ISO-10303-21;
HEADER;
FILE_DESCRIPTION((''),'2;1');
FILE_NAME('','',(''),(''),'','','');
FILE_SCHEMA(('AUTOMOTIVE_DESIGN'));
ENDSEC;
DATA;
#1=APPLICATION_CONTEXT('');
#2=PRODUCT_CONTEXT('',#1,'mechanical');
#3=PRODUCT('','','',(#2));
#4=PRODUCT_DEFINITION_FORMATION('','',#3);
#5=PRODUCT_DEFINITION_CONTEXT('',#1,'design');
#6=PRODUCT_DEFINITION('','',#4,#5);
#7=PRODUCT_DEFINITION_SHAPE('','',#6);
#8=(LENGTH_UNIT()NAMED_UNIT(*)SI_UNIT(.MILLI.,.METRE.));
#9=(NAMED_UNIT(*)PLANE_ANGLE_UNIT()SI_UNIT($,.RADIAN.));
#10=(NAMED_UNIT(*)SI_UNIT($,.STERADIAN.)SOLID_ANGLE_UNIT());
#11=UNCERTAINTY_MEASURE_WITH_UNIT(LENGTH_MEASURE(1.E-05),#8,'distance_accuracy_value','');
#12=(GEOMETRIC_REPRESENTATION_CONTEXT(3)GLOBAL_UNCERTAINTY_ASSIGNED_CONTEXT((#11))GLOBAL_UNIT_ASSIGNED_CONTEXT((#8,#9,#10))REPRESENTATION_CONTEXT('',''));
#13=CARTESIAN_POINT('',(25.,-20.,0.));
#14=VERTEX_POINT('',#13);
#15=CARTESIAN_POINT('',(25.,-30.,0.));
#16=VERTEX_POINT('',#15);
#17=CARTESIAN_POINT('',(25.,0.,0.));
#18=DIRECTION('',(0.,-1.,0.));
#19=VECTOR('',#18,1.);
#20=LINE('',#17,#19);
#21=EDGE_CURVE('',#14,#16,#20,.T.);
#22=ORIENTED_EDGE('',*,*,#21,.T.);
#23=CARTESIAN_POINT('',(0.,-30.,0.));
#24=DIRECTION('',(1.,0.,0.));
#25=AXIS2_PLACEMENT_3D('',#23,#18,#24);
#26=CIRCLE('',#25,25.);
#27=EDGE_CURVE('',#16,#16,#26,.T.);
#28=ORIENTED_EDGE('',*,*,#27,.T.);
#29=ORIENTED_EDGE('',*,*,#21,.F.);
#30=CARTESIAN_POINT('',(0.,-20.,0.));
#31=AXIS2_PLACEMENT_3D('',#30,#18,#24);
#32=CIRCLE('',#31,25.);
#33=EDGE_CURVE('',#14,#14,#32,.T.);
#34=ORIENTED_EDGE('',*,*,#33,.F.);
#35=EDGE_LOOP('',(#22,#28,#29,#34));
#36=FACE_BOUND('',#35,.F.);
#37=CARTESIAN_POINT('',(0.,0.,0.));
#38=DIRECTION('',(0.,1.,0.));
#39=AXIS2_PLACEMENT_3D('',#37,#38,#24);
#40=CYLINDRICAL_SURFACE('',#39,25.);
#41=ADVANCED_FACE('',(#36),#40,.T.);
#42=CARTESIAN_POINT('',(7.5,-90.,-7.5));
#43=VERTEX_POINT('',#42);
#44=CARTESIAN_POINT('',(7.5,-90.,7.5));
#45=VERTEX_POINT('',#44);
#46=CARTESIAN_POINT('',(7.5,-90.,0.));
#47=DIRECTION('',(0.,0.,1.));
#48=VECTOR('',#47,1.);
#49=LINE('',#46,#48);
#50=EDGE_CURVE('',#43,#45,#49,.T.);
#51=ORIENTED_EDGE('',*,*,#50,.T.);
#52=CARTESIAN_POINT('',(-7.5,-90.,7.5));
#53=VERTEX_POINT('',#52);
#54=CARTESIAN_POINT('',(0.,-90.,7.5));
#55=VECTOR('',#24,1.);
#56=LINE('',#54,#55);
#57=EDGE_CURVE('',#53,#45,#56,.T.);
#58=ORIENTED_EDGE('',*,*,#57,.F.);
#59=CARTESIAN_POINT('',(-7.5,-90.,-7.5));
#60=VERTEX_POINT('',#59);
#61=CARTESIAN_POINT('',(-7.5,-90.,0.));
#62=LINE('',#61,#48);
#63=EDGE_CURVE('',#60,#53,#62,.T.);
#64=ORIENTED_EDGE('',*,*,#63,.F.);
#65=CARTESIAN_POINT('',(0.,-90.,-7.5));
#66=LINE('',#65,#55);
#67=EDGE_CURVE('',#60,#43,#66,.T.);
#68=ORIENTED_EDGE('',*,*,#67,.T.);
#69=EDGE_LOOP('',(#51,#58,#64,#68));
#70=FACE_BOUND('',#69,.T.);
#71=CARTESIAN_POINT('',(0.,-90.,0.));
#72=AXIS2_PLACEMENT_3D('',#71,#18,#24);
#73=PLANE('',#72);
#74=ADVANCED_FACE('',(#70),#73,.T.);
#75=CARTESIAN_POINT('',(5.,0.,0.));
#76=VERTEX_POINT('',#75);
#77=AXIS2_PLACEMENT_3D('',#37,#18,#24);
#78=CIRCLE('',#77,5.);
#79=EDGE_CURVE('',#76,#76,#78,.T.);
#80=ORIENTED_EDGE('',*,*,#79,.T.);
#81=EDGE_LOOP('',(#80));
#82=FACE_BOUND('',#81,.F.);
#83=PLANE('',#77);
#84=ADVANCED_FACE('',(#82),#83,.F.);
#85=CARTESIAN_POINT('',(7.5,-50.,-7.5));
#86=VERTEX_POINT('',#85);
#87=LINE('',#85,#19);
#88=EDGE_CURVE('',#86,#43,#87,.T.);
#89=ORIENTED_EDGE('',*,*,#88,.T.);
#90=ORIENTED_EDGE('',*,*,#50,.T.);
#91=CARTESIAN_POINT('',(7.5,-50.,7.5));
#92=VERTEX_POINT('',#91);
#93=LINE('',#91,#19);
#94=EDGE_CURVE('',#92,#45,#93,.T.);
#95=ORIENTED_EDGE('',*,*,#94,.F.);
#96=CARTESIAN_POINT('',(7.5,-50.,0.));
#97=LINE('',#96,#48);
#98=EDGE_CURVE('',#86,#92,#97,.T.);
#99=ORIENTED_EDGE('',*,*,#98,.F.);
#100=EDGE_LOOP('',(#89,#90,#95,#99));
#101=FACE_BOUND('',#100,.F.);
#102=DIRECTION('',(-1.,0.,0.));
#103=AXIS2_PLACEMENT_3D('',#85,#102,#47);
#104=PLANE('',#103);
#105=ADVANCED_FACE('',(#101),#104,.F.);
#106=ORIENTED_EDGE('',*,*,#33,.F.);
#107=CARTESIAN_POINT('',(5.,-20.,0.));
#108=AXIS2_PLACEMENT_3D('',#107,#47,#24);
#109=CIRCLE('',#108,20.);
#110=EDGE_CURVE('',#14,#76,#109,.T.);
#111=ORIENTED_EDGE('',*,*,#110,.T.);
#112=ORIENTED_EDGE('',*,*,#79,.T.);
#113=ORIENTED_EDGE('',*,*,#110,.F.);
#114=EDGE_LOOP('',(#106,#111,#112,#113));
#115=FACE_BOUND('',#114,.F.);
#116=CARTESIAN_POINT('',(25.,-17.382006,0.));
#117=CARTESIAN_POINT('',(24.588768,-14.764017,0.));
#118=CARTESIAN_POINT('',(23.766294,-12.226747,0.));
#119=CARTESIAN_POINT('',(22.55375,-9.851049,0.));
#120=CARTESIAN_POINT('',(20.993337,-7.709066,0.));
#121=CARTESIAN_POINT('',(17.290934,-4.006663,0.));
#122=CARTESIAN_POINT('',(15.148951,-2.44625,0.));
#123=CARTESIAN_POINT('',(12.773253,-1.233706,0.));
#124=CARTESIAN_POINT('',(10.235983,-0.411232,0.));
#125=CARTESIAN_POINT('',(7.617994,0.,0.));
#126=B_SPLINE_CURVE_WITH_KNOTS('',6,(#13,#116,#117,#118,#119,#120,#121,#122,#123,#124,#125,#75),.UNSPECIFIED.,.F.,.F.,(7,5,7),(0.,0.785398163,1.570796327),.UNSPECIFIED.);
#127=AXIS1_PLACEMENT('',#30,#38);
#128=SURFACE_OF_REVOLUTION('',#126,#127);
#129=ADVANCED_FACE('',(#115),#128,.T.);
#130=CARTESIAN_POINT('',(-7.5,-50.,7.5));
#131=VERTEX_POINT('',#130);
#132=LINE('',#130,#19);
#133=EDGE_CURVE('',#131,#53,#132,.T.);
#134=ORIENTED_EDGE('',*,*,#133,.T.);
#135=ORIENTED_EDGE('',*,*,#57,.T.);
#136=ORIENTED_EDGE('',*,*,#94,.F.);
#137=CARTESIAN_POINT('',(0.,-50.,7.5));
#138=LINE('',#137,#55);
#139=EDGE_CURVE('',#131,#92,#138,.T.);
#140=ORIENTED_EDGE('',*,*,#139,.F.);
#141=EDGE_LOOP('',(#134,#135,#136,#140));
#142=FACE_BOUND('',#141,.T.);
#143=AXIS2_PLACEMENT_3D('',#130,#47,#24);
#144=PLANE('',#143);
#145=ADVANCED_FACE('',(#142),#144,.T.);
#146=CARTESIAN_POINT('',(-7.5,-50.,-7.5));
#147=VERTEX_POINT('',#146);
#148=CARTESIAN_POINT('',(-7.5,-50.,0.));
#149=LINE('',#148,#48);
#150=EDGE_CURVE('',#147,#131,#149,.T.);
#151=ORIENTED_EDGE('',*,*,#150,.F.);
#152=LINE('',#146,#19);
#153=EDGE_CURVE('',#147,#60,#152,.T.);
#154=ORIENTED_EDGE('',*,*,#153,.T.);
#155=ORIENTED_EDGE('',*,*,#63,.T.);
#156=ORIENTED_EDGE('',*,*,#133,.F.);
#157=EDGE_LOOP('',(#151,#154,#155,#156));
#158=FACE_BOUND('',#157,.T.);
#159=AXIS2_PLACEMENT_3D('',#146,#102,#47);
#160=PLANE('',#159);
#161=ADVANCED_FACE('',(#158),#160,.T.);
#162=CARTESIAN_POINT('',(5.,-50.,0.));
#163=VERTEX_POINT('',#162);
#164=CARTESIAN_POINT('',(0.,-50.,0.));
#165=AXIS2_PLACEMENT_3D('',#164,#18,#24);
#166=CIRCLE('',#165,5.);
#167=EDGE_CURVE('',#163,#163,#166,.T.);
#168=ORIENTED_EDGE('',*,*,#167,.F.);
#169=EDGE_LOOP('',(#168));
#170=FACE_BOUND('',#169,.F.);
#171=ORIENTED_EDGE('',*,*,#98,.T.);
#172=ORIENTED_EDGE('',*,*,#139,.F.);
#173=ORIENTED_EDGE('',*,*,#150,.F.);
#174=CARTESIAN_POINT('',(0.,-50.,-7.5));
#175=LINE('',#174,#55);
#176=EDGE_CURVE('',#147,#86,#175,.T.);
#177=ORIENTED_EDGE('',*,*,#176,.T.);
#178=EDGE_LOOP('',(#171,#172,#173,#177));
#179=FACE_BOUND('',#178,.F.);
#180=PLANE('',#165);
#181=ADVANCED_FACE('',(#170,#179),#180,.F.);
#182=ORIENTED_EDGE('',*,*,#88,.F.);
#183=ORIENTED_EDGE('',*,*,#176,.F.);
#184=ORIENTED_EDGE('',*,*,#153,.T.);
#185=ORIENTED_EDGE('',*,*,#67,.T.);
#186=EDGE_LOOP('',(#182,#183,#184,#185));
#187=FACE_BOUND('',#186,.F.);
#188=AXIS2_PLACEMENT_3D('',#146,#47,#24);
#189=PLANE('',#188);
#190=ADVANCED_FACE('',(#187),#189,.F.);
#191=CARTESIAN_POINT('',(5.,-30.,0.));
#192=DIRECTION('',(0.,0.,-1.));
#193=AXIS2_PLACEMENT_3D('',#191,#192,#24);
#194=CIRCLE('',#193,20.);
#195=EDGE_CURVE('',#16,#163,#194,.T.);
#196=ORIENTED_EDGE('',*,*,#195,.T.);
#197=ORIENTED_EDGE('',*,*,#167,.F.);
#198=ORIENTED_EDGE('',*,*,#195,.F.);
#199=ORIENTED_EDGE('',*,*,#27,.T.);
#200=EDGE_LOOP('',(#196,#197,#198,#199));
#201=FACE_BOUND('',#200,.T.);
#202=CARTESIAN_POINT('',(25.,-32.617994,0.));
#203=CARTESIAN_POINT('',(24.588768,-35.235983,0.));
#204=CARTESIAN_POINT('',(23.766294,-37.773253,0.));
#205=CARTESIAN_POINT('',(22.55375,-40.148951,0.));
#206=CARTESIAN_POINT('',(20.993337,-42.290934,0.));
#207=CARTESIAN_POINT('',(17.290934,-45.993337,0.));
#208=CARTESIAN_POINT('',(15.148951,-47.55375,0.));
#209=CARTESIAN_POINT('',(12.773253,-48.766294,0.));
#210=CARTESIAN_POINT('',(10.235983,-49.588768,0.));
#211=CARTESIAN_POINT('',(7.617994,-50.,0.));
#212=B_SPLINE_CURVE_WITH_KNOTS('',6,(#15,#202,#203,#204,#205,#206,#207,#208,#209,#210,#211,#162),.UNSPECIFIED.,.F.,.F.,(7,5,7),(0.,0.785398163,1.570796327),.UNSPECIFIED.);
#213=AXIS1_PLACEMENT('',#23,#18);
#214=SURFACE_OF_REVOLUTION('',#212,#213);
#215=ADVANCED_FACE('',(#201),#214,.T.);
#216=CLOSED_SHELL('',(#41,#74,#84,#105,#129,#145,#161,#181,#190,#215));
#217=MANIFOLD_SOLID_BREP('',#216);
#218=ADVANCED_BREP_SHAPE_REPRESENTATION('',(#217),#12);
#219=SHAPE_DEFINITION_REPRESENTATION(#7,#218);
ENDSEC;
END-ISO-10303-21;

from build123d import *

# Parameters (mm, degrees)
F0_R     = 25
F1_DEPTH = 50
F3_R     = 20
F4_R     = 20
F5_W     = 15
F5_H     = 15
F6_DEPTH = 40


with BuildPart() as f1:
    # F0 (on Front) → F1 (new body)
    with BuildSketch(Plane.XZ):
        Circle(F0_R)
    extrude(amount=F1_DEPTH)

    # F3
    f3_edges = [f1.edges().sort_by_distance(p)[0] for p in [
        (-25, -50, 0),
    ]]
    fillet(f3_edges, radius=F3_R)

    # F4
    f4_edges = [f1.edges().sort_by_distance(p)[0] for p in [
        (-25, 0, 0),
    ]]
    fillet(f4_edges, radius=F4_R)

    # F5 (on face) → F6 (join)
    with BuildSketch(Plane.XZ.offset(50)):
        Rectangle(F5_W, F5_H)
    extrude(amount=F6_DEPTH)


solid = f1.part
